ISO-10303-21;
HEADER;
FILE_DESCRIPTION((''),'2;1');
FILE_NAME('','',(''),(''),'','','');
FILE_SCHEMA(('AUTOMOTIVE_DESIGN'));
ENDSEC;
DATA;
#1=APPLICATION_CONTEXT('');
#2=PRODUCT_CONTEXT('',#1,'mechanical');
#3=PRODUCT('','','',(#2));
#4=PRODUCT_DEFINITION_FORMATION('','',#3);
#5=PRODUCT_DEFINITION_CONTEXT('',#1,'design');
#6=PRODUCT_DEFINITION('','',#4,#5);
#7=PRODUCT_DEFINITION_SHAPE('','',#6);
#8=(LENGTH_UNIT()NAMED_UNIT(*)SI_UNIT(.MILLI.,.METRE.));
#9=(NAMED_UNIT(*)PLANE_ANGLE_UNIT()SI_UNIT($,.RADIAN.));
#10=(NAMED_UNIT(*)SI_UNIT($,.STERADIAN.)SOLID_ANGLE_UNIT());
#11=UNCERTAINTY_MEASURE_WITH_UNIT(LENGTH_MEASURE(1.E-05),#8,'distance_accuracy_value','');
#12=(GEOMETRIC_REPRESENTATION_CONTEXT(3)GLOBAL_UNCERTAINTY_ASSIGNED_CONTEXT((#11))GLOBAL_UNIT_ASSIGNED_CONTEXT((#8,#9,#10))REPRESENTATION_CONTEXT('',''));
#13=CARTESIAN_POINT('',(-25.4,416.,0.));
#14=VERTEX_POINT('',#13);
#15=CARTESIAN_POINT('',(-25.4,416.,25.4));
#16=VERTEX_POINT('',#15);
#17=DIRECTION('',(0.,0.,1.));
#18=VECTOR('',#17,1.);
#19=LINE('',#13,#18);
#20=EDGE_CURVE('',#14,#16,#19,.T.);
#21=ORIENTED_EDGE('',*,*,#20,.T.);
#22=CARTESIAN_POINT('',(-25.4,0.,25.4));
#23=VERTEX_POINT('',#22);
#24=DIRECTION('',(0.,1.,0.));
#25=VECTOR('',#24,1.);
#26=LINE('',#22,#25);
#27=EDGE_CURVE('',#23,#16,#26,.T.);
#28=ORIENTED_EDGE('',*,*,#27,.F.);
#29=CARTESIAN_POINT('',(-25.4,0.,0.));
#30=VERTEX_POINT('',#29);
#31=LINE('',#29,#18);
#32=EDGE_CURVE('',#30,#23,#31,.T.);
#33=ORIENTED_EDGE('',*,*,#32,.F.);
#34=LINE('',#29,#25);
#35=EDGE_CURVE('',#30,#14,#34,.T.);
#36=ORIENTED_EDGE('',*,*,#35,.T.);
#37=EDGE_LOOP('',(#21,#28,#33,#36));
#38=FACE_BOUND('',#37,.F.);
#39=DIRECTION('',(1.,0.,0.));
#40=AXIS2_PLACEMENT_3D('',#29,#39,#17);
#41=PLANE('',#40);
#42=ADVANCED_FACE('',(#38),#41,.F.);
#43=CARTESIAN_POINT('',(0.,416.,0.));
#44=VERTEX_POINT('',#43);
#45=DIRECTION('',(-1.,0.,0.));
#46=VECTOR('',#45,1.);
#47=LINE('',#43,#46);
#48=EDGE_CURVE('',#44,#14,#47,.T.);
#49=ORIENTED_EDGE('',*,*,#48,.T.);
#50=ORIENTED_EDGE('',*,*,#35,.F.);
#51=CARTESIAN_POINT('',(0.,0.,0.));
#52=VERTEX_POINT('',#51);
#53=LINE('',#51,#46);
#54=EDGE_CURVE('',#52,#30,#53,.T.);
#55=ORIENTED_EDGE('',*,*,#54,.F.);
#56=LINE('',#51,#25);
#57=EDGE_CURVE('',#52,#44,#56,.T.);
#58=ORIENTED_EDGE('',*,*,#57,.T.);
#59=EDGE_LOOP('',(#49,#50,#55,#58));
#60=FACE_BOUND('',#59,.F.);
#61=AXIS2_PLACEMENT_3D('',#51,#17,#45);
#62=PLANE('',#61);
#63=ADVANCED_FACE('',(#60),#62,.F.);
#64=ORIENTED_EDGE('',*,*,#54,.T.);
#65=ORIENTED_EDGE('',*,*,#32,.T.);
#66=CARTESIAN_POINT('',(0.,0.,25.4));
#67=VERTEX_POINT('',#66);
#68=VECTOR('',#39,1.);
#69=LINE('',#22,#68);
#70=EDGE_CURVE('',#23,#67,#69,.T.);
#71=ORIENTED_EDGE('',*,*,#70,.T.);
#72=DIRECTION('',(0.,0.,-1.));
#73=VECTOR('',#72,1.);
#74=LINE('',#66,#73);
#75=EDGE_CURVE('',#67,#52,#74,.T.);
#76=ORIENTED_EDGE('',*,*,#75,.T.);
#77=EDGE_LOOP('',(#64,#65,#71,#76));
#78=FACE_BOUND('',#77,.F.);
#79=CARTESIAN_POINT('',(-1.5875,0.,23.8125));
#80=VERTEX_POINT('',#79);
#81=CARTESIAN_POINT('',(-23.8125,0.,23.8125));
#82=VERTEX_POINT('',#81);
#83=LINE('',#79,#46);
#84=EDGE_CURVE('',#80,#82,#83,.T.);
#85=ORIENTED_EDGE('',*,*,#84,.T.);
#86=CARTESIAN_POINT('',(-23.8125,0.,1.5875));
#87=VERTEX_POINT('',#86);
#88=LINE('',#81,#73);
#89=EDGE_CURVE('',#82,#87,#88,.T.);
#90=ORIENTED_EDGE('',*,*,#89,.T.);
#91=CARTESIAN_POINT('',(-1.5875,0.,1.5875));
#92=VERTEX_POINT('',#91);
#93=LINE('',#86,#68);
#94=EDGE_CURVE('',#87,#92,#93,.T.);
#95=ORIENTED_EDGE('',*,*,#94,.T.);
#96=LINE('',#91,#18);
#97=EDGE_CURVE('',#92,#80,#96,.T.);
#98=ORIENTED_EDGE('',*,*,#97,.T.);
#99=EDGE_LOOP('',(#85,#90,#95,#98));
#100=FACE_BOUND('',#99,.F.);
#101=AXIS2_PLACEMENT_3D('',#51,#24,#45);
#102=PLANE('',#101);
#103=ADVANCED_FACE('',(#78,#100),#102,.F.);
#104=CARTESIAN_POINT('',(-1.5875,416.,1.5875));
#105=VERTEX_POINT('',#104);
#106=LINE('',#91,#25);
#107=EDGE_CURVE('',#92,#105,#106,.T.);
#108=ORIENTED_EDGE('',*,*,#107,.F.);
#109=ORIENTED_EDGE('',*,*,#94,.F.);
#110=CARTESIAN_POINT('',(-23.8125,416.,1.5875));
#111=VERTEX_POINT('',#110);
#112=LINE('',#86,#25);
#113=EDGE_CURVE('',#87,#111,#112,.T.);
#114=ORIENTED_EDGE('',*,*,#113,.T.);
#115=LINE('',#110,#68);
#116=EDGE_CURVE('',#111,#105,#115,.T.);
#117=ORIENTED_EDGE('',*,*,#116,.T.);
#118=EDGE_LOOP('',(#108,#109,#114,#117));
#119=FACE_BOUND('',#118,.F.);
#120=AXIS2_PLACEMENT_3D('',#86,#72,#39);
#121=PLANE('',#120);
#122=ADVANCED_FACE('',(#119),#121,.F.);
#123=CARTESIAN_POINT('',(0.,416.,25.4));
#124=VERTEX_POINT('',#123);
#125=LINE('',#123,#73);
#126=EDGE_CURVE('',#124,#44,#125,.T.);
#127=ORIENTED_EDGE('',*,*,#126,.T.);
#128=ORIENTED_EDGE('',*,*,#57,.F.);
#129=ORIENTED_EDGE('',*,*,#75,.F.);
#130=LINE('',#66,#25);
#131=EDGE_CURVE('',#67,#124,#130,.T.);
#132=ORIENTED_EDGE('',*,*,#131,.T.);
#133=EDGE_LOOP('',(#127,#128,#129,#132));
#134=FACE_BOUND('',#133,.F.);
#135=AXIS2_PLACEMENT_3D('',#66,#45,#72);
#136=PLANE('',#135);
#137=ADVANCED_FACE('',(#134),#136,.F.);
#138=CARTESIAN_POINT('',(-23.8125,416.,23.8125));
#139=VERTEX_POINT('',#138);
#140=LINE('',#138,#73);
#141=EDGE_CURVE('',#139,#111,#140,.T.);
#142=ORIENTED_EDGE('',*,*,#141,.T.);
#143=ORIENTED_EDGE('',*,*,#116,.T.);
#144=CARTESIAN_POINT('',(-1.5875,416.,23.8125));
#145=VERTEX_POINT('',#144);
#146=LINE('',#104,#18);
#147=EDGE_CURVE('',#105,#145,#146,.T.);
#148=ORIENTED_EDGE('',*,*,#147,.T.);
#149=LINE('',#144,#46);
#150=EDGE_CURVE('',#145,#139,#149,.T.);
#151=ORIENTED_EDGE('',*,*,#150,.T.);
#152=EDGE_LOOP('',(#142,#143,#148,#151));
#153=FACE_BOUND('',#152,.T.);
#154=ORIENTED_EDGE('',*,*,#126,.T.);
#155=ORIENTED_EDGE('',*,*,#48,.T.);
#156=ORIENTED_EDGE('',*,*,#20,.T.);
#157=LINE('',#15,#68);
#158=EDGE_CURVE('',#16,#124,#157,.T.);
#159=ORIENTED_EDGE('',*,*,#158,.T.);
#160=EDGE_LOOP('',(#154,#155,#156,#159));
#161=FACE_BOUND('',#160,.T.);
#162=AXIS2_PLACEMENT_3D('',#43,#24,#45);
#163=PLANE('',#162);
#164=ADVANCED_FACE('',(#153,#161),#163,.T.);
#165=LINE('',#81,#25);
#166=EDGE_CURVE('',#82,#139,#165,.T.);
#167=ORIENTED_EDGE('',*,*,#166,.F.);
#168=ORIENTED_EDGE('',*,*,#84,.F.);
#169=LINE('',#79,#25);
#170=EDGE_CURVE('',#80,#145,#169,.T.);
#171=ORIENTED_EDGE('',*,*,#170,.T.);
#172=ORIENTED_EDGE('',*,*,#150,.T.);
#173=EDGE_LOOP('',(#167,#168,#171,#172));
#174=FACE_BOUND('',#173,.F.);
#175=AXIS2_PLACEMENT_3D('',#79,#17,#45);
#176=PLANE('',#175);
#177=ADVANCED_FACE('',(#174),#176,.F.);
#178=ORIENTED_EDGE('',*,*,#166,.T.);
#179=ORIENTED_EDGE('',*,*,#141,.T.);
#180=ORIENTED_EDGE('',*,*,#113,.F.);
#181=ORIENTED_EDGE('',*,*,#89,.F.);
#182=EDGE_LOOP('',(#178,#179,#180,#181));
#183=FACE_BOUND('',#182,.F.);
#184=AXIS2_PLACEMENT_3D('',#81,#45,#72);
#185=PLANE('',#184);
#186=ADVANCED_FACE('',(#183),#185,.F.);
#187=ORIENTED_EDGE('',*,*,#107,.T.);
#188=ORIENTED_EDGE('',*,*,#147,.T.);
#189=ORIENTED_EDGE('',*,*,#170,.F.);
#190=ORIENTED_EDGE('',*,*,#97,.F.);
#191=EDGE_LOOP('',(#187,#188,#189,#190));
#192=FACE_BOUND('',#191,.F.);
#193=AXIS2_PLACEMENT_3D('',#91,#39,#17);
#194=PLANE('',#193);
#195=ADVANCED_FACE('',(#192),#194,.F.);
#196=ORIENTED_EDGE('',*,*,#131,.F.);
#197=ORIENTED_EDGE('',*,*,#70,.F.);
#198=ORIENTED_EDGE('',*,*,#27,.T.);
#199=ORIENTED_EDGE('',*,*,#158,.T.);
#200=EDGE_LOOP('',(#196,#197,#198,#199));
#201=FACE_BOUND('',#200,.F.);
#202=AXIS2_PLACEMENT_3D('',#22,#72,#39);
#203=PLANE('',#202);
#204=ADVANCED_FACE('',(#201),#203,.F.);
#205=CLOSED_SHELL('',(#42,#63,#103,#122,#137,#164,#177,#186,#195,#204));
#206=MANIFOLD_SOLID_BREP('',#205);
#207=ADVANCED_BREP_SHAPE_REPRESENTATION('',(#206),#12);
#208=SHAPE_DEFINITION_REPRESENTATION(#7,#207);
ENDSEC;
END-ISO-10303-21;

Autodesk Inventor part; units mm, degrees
ref_plane "YZ Plane" through (0, 0, 0) normal (1, 0, 0) x (0, 1, 0)
ref_plane "XZ Plane" through (0, 0, 0) normal (0, 1, 0) x (-1, 0, 0)
ref_plane "XY Plane" through (0, 0, 0) normal (0, 0, 1) x (1, 0, 0)
sketch "Sketch1" plane through (0, 0, 0) normal (0, 1, 0) x (-1, 0, 0)
  line L0 (0, 0) -> (25.4, 0)
  line L1 (25.4, 0) -> (25.4, 25.4)
  line L2 (25.4, 25.4) -> (0, 25.4)
  line L3 (0, 25.4) -> (0, 0)
  line L4 (23.8125, 1.5875) -> (1.5875, 1.5875)
  line L5 (1.5875, 1.5875) -> (1.5875, 23.8125)
  line L6 (1.5875, 23.8125) -> (23.8125, 23.8125)
  line L7 (23.8125, 23.8125) -> (23.8125, 1.5875)
  line L8 (23.8125, 1.5875) -> (1.5875, 23.8125) construction
  line L9 (1.5875, 1.5875) -> (23.8125, 23.8125) construction
  point P0 (12.7, 12.7)
  dimension "d0" = 25.4
  dimension "d1" = 25.4
  dimension "d2" = 22.225
  dimension "d3" = 22.225
extrude "Extrusion1" add sketch "Sketch1" along normal blind 416
properties part number "frame1_a"
